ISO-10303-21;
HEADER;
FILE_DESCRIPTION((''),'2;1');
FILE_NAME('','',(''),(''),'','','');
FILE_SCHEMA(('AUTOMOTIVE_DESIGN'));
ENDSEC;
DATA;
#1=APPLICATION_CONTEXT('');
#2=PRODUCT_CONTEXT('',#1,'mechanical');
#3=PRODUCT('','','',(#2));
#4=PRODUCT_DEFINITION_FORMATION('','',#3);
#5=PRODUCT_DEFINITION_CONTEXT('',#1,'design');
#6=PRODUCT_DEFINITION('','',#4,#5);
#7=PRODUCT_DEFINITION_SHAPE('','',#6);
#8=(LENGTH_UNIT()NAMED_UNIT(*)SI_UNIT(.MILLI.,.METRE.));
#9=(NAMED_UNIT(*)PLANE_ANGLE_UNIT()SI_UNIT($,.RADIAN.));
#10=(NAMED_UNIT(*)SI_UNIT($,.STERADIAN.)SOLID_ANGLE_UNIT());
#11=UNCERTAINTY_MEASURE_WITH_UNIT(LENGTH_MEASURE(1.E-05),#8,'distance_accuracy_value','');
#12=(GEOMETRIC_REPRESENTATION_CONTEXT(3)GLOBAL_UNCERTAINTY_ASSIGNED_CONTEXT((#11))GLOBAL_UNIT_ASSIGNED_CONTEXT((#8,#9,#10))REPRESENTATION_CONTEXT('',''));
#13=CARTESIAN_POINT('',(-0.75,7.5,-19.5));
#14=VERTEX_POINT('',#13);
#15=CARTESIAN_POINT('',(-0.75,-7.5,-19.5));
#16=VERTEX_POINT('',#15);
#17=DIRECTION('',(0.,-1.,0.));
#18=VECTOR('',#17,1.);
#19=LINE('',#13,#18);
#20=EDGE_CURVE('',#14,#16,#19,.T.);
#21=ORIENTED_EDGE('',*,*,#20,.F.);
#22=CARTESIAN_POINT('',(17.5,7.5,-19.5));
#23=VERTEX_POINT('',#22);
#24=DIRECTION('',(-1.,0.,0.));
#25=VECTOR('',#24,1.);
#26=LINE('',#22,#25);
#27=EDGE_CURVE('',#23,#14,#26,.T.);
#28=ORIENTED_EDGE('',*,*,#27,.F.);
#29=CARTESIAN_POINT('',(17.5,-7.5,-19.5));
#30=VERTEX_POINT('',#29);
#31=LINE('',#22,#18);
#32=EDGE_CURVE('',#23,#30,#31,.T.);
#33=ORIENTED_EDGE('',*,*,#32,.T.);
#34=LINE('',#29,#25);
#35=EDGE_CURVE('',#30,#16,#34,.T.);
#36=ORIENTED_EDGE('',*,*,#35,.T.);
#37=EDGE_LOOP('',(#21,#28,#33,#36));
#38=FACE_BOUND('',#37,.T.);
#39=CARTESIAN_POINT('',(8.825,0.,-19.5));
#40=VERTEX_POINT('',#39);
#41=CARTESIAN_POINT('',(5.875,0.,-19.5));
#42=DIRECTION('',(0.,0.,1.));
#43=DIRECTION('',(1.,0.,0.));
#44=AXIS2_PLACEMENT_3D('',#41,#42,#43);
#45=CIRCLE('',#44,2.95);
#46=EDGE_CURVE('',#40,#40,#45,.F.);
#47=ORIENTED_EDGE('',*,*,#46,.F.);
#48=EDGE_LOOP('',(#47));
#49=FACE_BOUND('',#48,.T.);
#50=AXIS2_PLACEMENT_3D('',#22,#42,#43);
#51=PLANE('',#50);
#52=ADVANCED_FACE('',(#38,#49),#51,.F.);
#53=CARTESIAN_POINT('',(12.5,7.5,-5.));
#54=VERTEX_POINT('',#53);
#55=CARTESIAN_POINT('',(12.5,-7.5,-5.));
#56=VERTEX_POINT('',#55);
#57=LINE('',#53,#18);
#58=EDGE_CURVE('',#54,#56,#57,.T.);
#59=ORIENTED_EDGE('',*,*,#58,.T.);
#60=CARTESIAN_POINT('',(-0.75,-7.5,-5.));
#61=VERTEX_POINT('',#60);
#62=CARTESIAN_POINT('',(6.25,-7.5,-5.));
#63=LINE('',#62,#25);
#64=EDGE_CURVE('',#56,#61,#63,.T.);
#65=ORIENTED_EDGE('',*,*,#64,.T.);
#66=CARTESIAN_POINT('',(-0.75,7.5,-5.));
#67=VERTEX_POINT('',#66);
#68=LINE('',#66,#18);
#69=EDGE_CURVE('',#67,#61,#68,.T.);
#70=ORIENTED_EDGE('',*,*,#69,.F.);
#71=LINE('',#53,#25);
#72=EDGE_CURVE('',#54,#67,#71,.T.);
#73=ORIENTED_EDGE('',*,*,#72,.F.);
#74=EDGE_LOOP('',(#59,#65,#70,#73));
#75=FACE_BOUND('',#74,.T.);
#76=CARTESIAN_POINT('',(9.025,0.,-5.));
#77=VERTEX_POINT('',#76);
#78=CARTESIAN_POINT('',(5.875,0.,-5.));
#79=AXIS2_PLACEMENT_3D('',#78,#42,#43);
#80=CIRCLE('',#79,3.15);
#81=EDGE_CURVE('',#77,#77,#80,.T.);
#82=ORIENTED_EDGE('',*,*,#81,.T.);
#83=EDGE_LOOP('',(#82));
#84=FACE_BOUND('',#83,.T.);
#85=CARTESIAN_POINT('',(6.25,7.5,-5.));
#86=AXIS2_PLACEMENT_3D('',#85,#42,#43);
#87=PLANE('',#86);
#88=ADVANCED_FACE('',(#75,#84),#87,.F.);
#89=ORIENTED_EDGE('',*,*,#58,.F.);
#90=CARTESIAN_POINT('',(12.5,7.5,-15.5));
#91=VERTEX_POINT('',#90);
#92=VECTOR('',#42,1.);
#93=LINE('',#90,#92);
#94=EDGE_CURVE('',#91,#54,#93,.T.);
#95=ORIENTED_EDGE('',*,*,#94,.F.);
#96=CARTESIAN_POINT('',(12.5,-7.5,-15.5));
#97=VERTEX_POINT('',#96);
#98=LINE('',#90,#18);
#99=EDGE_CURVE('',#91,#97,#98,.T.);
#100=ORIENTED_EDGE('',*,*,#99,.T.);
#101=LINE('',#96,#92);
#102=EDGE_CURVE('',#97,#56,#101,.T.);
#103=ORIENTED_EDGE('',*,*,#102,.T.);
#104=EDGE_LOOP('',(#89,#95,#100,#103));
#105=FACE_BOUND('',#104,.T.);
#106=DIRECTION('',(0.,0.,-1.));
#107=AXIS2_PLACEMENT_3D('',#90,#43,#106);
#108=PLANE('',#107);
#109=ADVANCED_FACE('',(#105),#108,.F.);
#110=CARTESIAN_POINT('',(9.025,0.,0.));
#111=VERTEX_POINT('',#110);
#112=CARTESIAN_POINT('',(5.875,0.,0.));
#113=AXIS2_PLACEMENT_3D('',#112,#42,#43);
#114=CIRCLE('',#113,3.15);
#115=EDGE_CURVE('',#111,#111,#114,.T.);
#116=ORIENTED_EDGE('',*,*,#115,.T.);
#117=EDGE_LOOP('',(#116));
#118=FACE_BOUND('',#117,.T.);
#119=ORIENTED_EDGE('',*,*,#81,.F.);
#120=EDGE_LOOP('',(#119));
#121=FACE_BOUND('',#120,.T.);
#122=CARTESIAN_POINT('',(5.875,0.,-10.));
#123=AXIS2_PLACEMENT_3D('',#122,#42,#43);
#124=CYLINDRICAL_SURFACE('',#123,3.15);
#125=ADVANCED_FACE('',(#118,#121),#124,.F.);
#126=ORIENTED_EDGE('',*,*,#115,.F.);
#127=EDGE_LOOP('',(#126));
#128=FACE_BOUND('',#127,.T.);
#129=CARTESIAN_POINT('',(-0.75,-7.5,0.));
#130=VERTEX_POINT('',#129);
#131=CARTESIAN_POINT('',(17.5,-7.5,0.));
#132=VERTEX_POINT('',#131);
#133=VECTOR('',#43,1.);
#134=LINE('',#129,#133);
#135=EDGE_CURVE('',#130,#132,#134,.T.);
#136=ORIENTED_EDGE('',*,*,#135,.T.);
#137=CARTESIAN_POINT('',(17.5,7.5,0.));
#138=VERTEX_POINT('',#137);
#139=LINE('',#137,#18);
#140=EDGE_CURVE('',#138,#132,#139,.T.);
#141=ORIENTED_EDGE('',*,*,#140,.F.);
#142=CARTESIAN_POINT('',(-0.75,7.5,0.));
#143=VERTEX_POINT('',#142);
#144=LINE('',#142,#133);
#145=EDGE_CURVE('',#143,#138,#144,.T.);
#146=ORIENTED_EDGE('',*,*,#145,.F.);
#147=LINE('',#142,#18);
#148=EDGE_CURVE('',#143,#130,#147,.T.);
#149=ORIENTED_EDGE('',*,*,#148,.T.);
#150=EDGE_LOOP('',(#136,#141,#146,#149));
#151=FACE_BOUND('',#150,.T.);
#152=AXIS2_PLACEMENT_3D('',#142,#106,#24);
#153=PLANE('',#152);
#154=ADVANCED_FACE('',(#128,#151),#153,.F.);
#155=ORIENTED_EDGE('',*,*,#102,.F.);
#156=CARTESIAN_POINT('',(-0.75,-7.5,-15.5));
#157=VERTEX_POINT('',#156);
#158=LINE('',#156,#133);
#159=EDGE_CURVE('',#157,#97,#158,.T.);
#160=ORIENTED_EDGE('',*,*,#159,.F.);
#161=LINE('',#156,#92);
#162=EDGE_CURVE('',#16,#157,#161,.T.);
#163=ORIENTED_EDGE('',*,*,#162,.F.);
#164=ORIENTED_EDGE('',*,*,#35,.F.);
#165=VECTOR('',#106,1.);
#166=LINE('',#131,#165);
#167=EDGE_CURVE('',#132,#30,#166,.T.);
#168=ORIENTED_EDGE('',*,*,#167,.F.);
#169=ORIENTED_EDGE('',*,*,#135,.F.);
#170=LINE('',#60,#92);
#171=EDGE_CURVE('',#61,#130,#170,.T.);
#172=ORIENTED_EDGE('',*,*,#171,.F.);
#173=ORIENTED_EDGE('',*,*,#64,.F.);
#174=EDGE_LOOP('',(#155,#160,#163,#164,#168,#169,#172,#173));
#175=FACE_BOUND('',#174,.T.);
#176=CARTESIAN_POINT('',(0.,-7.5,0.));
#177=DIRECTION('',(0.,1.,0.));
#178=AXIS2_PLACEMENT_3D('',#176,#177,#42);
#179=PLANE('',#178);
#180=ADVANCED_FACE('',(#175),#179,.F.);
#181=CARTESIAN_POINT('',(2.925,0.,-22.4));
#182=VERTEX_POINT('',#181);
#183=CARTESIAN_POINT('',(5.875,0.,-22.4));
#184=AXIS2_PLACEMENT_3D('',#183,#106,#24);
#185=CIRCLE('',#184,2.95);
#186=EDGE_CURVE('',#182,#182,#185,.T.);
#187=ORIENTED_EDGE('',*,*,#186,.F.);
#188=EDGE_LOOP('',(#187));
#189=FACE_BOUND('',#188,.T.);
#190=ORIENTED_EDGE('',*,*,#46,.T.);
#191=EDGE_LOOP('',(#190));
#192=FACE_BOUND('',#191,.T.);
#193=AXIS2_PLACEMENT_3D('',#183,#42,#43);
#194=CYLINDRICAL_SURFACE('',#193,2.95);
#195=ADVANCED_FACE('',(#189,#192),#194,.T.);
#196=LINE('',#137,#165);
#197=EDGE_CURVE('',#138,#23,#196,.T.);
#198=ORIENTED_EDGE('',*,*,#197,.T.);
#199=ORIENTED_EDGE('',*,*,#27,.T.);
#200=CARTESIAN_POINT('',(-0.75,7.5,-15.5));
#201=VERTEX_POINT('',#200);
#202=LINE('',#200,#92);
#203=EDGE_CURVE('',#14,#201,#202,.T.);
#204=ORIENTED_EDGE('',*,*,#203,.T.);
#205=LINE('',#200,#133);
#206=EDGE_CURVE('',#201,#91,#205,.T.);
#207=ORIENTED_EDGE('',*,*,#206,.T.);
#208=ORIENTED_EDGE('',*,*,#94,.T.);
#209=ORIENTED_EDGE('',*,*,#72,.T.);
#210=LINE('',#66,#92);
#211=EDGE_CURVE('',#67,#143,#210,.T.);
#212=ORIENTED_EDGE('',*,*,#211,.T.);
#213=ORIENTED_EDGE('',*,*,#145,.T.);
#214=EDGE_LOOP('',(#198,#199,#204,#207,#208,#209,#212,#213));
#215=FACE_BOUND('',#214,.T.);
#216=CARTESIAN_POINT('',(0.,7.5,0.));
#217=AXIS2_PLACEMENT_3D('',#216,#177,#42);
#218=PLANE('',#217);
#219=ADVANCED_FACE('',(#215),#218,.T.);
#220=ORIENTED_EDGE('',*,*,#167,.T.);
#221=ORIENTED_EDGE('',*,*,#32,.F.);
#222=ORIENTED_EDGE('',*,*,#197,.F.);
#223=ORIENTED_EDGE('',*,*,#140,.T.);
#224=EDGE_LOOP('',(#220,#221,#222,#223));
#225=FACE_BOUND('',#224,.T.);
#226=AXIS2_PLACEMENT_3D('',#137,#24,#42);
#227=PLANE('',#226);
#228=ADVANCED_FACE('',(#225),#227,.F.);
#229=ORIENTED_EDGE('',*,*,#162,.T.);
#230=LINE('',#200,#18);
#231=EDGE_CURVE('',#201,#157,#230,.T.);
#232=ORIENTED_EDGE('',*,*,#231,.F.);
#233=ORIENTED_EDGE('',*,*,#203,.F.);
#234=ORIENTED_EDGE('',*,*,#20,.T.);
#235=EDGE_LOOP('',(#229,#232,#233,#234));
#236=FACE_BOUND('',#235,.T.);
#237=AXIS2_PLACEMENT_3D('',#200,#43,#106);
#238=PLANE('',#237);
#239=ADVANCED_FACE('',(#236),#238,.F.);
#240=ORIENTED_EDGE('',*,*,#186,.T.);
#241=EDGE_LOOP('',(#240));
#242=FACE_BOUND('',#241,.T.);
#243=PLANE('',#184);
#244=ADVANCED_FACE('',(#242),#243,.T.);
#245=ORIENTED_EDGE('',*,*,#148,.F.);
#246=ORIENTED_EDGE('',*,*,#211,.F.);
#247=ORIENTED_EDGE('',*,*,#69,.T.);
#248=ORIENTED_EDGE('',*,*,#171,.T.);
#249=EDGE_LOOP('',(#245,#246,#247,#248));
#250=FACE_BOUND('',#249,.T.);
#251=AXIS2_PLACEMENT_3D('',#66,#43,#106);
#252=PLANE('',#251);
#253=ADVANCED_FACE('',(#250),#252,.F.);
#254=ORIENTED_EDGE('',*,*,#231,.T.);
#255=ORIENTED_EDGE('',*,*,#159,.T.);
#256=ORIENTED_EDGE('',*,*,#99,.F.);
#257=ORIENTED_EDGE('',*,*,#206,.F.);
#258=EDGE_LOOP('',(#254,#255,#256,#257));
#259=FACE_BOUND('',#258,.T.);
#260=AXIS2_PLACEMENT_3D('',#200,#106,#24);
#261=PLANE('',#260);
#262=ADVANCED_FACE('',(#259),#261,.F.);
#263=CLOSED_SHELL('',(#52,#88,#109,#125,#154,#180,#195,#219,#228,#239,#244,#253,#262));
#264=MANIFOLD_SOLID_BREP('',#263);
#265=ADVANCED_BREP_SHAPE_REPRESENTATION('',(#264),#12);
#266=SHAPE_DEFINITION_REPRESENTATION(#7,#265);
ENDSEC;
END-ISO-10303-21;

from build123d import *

# Parameters (mm, degrees)
BOSS_EXTRUDE2_DEPTH = 7.5
SKETCH6_R           = 3.15
CUT_EXTRUDE1_DEPTH  = 10
SKETCH8_R           = 2.95
BOSS_EXTRUDE3_DEPTH = 2.9


with BuildPart() as part:
    # Sketch1 → Boss-Extrude2 (new, symmetric)
    with BuildSketch(Plane(origin=(0, 0, 0), x_dir=(1, 0, 0), z_dir=(0, 1, 0))):
        Polygon((-0.75, 0), (17.5, 0), (17.5, 19.5), (-0.75, 19.5), (-0.75, 15.5), (12.5, 15.5), (12.5, 5), (6.25, 5), (-0.75, 5), align=None)
    extrude(amount=BOSS_EXTRUDE2_DEPTH, both=True)

    # Sketch6 → Cut-Extrude1 (cut)
    with BuildSketch(Plane.XY):
        with Locations((5.875, 0)):
            Circle(SKETCH6_R)
    extrude(amount=-CUT_EXTRUDE1_DEPTH, mode=Mode.SUBTRACT)

    # Sketch8 → Boss-Extrude3 (add)
    with BuildSketch(Plane(origin=(0, 0, -19.5), x_dir=(-1, 0, 0), z_dir=(0, 0, -1))):
        with Locations(Location((-5.875, 0, 0), (0, 0, 180))):
            Circle(SKETCH8_R)
    extrude(amount=BOSS_EXTRUDE3_DEPTH)


solid = part.part
